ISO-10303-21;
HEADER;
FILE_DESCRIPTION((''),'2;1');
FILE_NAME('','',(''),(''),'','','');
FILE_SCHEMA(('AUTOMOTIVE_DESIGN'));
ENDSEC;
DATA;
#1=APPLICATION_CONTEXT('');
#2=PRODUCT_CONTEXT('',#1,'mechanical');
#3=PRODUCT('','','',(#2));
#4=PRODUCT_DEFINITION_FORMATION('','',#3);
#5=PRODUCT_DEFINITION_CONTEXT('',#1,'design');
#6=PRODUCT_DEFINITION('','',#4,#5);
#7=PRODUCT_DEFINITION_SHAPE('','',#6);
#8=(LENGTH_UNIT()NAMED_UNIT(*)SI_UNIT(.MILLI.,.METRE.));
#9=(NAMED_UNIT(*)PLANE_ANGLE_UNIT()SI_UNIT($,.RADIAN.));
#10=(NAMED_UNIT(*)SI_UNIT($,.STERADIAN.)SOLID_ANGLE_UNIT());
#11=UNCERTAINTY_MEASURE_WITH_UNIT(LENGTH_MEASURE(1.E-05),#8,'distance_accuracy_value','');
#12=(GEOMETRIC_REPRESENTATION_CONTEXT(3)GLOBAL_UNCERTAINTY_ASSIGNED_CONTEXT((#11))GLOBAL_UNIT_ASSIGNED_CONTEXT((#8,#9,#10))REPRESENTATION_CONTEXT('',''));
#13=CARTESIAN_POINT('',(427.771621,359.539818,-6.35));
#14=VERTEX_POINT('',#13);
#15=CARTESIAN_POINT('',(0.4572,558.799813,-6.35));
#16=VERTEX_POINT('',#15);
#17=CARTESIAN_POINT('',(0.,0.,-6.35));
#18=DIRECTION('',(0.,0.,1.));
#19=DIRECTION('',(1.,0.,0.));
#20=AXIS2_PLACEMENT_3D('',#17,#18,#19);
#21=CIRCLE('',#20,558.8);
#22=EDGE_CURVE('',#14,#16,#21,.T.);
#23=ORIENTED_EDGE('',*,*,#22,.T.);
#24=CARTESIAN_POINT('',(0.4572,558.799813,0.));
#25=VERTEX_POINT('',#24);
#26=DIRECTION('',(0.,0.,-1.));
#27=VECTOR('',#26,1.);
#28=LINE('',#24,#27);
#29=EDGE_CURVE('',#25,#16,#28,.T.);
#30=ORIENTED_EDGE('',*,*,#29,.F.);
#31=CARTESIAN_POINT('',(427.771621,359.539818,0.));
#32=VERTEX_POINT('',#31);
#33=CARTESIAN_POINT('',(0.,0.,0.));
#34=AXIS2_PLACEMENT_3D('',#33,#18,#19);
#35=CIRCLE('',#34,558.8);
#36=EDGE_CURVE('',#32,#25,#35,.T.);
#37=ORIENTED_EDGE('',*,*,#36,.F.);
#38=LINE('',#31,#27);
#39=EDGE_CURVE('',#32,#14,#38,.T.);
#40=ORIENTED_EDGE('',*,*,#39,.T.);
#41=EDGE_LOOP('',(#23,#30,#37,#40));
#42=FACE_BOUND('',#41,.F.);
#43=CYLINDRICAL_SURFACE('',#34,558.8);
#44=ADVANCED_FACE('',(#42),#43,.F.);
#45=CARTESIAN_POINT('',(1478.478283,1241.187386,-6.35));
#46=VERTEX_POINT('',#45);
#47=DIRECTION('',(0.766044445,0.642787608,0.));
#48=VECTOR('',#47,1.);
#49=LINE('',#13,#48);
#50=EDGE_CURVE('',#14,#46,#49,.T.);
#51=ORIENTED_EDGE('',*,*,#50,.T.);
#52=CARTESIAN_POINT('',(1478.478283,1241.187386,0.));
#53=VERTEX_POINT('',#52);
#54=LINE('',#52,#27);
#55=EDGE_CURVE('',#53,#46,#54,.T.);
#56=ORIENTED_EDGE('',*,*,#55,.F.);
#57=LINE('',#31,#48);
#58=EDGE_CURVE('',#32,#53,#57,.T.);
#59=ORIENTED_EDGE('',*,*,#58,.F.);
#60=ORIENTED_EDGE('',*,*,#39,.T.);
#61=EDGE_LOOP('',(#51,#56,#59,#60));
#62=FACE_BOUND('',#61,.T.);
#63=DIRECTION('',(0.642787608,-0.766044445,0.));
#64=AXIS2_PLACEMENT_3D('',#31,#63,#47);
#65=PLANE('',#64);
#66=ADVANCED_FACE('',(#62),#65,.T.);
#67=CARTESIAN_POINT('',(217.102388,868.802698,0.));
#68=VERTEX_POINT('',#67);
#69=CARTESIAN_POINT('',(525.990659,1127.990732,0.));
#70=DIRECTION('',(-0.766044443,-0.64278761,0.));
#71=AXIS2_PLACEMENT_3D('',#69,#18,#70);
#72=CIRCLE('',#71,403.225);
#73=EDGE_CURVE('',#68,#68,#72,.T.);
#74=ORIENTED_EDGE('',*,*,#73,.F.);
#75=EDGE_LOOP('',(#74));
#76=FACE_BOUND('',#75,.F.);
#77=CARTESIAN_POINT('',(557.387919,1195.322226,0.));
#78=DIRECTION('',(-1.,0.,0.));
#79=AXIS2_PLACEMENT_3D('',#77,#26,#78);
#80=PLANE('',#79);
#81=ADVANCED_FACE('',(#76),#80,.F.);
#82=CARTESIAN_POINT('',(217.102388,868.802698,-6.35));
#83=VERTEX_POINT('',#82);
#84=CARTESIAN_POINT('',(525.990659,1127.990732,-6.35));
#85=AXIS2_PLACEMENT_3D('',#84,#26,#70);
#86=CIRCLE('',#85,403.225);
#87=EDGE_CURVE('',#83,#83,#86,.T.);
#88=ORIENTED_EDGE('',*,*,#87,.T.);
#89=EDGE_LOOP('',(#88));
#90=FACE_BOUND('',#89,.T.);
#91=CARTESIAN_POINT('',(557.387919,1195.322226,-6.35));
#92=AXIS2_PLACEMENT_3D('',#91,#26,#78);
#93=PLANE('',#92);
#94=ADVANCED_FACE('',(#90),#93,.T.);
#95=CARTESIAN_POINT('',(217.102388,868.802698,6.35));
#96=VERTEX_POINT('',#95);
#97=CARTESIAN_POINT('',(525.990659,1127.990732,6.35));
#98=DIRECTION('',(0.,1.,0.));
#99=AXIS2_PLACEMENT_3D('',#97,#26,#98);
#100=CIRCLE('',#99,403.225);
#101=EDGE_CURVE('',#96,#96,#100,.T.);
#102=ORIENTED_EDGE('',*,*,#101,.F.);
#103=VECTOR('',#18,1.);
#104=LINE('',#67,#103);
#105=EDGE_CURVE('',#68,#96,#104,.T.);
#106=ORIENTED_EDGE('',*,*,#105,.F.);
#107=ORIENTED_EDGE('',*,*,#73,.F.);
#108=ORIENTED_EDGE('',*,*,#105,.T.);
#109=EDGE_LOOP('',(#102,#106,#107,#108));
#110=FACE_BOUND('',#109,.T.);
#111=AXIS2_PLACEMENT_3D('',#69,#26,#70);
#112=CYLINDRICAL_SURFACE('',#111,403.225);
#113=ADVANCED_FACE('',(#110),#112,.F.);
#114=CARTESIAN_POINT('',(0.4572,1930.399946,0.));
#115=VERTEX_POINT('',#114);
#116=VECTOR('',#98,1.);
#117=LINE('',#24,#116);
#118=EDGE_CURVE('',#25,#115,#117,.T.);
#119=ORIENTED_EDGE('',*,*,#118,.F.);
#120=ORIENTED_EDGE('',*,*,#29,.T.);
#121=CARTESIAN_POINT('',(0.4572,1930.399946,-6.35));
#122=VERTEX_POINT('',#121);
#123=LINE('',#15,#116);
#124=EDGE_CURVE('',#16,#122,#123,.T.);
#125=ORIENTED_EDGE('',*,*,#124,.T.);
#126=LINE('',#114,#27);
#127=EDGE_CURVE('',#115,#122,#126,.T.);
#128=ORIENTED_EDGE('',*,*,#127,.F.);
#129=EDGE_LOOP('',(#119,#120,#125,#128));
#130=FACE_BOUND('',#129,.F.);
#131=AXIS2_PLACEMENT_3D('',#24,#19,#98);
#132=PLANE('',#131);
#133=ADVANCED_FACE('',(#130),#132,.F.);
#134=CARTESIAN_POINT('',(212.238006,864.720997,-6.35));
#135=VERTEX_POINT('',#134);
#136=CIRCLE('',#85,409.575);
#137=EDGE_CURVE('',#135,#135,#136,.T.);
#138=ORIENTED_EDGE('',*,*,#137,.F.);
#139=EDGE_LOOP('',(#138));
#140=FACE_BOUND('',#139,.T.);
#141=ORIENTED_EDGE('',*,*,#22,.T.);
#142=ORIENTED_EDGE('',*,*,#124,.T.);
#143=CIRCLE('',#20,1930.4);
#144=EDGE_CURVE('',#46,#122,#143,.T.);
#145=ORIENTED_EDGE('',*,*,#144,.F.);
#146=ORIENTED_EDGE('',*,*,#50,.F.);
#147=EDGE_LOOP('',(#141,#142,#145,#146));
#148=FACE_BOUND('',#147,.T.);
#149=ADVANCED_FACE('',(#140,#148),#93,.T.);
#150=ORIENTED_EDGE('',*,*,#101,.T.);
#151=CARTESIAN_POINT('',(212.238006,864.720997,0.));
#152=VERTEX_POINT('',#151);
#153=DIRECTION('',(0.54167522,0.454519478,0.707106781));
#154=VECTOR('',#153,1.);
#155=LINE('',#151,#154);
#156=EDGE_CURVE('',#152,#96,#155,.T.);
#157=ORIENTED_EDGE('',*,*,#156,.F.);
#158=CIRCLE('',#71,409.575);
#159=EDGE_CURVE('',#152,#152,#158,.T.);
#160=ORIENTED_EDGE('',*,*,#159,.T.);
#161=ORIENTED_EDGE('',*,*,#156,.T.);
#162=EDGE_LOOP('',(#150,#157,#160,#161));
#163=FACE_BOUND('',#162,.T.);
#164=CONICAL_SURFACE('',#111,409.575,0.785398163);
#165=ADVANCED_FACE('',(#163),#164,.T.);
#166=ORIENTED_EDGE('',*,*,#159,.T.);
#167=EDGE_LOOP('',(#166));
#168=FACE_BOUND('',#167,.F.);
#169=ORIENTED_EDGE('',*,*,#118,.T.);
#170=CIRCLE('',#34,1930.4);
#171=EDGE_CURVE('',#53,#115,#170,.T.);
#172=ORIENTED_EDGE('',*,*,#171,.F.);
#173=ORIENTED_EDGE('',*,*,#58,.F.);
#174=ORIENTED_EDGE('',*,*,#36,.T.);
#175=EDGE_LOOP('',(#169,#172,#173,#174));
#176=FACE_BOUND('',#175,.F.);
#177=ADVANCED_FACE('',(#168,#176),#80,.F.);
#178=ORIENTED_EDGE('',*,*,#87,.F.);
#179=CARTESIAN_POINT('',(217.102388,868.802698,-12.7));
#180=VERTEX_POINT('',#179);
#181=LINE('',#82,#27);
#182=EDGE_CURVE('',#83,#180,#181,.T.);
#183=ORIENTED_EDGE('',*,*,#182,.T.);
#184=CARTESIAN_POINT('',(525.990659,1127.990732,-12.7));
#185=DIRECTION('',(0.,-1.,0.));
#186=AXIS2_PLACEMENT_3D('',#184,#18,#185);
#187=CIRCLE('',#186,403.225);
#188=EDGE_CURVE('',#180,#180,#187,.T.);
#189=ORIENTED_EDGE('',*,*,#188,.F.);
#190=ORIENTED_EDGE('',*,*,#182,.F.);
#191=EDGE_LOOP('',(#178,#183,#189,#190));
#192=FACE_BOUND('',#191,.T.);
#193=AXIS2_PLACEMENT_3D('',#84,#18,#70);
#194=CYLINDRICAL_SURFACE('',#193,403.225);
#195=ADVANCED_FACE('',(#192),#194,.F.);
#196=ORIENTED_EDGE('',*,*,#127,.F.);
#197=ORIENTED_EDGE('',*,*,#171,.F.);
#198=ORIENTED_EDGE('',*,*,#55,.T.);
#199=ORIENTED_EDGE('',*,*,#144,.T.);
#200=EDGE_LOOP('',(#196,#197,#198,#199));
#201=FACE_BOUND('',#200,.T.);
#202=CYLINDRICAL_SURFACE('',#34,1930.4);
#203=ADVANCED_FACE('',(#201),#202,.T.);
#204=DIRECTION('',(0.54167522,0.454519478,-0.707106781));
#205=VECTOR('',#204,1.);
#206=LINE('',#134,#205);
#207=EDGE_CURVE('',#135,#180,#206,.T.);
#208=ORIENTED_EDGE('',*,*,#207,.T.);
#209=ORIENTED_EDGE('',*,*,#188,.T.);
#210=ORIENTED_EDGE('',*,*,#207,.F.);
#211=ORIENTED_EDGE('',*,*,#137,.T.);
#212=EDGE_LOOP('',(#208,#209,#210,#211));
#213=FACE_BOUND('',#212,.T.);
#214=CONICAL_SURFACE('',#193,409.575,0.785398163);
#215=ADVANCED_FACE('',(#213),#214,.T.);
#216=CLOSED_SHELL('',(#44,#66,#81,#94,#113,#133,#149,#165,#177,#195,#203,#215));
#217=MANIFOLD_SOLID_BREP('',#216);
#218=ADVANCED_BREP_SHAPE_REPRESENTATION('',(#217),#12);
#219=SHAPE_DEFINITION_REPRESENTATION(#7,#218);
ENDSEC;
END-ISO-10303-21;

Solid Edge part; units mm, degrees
sketch "Sketch1" plane through (0, 0, 0) normal (0, 0, 1) x (1, 0, 0)
  arc A0 (427.7716, 359.5398) -> (0.4572, 558.7998) centre (0, 0) ccw
  line L0 (0.4572, 558.7998) -> (0.4572, 1930.3999)
  arc A1 (1478.4783, 1241.1874) -> (0.4572, 1930.3999) centre (0, 0) ccw
  line L1 (427.7716, 359.5398) -> (1478.4783, 1241.1874)
extrude "Protrusion1" add sketch "Sketch1" against normal blind 6.35
sketch "Sketch2" plane through (739.4677, 1144.9699, 0) normal (0, 0, 1) x (-0.766, -0.6428, 0)
  circle A0 centre (174.4469, -124.2136) radius 409.575
  circle A1 centre (174.4469, -124.2136) radius 403.225
extrude "ExtrudedProtrusion_4" add sketch "Sketch2" along normal blind 12.7
chamfer "Chamfer_1" distance 12.7 angle 45 1 edges at (839.7433, 1391.2604, 12.7)
sketch "Sketch3" plane through (739.4677, 1144.9699, -6.35) normal (0, 0, -1) x (-0.766, -0.6428, 0)
  circle A0 centre (174.4469, 124.2136) radius 409.575
  circle A1 centre (174.4469, 124.2136) radius 403.225
extrude "ExtrudedProtrusion_7" add sketch "Sketch3" along normal blind 12.7
chamfer "Chamfer_4" distance 12.7 angle 45 1 edges at (839.7433, 1391.2604, -19.05)
